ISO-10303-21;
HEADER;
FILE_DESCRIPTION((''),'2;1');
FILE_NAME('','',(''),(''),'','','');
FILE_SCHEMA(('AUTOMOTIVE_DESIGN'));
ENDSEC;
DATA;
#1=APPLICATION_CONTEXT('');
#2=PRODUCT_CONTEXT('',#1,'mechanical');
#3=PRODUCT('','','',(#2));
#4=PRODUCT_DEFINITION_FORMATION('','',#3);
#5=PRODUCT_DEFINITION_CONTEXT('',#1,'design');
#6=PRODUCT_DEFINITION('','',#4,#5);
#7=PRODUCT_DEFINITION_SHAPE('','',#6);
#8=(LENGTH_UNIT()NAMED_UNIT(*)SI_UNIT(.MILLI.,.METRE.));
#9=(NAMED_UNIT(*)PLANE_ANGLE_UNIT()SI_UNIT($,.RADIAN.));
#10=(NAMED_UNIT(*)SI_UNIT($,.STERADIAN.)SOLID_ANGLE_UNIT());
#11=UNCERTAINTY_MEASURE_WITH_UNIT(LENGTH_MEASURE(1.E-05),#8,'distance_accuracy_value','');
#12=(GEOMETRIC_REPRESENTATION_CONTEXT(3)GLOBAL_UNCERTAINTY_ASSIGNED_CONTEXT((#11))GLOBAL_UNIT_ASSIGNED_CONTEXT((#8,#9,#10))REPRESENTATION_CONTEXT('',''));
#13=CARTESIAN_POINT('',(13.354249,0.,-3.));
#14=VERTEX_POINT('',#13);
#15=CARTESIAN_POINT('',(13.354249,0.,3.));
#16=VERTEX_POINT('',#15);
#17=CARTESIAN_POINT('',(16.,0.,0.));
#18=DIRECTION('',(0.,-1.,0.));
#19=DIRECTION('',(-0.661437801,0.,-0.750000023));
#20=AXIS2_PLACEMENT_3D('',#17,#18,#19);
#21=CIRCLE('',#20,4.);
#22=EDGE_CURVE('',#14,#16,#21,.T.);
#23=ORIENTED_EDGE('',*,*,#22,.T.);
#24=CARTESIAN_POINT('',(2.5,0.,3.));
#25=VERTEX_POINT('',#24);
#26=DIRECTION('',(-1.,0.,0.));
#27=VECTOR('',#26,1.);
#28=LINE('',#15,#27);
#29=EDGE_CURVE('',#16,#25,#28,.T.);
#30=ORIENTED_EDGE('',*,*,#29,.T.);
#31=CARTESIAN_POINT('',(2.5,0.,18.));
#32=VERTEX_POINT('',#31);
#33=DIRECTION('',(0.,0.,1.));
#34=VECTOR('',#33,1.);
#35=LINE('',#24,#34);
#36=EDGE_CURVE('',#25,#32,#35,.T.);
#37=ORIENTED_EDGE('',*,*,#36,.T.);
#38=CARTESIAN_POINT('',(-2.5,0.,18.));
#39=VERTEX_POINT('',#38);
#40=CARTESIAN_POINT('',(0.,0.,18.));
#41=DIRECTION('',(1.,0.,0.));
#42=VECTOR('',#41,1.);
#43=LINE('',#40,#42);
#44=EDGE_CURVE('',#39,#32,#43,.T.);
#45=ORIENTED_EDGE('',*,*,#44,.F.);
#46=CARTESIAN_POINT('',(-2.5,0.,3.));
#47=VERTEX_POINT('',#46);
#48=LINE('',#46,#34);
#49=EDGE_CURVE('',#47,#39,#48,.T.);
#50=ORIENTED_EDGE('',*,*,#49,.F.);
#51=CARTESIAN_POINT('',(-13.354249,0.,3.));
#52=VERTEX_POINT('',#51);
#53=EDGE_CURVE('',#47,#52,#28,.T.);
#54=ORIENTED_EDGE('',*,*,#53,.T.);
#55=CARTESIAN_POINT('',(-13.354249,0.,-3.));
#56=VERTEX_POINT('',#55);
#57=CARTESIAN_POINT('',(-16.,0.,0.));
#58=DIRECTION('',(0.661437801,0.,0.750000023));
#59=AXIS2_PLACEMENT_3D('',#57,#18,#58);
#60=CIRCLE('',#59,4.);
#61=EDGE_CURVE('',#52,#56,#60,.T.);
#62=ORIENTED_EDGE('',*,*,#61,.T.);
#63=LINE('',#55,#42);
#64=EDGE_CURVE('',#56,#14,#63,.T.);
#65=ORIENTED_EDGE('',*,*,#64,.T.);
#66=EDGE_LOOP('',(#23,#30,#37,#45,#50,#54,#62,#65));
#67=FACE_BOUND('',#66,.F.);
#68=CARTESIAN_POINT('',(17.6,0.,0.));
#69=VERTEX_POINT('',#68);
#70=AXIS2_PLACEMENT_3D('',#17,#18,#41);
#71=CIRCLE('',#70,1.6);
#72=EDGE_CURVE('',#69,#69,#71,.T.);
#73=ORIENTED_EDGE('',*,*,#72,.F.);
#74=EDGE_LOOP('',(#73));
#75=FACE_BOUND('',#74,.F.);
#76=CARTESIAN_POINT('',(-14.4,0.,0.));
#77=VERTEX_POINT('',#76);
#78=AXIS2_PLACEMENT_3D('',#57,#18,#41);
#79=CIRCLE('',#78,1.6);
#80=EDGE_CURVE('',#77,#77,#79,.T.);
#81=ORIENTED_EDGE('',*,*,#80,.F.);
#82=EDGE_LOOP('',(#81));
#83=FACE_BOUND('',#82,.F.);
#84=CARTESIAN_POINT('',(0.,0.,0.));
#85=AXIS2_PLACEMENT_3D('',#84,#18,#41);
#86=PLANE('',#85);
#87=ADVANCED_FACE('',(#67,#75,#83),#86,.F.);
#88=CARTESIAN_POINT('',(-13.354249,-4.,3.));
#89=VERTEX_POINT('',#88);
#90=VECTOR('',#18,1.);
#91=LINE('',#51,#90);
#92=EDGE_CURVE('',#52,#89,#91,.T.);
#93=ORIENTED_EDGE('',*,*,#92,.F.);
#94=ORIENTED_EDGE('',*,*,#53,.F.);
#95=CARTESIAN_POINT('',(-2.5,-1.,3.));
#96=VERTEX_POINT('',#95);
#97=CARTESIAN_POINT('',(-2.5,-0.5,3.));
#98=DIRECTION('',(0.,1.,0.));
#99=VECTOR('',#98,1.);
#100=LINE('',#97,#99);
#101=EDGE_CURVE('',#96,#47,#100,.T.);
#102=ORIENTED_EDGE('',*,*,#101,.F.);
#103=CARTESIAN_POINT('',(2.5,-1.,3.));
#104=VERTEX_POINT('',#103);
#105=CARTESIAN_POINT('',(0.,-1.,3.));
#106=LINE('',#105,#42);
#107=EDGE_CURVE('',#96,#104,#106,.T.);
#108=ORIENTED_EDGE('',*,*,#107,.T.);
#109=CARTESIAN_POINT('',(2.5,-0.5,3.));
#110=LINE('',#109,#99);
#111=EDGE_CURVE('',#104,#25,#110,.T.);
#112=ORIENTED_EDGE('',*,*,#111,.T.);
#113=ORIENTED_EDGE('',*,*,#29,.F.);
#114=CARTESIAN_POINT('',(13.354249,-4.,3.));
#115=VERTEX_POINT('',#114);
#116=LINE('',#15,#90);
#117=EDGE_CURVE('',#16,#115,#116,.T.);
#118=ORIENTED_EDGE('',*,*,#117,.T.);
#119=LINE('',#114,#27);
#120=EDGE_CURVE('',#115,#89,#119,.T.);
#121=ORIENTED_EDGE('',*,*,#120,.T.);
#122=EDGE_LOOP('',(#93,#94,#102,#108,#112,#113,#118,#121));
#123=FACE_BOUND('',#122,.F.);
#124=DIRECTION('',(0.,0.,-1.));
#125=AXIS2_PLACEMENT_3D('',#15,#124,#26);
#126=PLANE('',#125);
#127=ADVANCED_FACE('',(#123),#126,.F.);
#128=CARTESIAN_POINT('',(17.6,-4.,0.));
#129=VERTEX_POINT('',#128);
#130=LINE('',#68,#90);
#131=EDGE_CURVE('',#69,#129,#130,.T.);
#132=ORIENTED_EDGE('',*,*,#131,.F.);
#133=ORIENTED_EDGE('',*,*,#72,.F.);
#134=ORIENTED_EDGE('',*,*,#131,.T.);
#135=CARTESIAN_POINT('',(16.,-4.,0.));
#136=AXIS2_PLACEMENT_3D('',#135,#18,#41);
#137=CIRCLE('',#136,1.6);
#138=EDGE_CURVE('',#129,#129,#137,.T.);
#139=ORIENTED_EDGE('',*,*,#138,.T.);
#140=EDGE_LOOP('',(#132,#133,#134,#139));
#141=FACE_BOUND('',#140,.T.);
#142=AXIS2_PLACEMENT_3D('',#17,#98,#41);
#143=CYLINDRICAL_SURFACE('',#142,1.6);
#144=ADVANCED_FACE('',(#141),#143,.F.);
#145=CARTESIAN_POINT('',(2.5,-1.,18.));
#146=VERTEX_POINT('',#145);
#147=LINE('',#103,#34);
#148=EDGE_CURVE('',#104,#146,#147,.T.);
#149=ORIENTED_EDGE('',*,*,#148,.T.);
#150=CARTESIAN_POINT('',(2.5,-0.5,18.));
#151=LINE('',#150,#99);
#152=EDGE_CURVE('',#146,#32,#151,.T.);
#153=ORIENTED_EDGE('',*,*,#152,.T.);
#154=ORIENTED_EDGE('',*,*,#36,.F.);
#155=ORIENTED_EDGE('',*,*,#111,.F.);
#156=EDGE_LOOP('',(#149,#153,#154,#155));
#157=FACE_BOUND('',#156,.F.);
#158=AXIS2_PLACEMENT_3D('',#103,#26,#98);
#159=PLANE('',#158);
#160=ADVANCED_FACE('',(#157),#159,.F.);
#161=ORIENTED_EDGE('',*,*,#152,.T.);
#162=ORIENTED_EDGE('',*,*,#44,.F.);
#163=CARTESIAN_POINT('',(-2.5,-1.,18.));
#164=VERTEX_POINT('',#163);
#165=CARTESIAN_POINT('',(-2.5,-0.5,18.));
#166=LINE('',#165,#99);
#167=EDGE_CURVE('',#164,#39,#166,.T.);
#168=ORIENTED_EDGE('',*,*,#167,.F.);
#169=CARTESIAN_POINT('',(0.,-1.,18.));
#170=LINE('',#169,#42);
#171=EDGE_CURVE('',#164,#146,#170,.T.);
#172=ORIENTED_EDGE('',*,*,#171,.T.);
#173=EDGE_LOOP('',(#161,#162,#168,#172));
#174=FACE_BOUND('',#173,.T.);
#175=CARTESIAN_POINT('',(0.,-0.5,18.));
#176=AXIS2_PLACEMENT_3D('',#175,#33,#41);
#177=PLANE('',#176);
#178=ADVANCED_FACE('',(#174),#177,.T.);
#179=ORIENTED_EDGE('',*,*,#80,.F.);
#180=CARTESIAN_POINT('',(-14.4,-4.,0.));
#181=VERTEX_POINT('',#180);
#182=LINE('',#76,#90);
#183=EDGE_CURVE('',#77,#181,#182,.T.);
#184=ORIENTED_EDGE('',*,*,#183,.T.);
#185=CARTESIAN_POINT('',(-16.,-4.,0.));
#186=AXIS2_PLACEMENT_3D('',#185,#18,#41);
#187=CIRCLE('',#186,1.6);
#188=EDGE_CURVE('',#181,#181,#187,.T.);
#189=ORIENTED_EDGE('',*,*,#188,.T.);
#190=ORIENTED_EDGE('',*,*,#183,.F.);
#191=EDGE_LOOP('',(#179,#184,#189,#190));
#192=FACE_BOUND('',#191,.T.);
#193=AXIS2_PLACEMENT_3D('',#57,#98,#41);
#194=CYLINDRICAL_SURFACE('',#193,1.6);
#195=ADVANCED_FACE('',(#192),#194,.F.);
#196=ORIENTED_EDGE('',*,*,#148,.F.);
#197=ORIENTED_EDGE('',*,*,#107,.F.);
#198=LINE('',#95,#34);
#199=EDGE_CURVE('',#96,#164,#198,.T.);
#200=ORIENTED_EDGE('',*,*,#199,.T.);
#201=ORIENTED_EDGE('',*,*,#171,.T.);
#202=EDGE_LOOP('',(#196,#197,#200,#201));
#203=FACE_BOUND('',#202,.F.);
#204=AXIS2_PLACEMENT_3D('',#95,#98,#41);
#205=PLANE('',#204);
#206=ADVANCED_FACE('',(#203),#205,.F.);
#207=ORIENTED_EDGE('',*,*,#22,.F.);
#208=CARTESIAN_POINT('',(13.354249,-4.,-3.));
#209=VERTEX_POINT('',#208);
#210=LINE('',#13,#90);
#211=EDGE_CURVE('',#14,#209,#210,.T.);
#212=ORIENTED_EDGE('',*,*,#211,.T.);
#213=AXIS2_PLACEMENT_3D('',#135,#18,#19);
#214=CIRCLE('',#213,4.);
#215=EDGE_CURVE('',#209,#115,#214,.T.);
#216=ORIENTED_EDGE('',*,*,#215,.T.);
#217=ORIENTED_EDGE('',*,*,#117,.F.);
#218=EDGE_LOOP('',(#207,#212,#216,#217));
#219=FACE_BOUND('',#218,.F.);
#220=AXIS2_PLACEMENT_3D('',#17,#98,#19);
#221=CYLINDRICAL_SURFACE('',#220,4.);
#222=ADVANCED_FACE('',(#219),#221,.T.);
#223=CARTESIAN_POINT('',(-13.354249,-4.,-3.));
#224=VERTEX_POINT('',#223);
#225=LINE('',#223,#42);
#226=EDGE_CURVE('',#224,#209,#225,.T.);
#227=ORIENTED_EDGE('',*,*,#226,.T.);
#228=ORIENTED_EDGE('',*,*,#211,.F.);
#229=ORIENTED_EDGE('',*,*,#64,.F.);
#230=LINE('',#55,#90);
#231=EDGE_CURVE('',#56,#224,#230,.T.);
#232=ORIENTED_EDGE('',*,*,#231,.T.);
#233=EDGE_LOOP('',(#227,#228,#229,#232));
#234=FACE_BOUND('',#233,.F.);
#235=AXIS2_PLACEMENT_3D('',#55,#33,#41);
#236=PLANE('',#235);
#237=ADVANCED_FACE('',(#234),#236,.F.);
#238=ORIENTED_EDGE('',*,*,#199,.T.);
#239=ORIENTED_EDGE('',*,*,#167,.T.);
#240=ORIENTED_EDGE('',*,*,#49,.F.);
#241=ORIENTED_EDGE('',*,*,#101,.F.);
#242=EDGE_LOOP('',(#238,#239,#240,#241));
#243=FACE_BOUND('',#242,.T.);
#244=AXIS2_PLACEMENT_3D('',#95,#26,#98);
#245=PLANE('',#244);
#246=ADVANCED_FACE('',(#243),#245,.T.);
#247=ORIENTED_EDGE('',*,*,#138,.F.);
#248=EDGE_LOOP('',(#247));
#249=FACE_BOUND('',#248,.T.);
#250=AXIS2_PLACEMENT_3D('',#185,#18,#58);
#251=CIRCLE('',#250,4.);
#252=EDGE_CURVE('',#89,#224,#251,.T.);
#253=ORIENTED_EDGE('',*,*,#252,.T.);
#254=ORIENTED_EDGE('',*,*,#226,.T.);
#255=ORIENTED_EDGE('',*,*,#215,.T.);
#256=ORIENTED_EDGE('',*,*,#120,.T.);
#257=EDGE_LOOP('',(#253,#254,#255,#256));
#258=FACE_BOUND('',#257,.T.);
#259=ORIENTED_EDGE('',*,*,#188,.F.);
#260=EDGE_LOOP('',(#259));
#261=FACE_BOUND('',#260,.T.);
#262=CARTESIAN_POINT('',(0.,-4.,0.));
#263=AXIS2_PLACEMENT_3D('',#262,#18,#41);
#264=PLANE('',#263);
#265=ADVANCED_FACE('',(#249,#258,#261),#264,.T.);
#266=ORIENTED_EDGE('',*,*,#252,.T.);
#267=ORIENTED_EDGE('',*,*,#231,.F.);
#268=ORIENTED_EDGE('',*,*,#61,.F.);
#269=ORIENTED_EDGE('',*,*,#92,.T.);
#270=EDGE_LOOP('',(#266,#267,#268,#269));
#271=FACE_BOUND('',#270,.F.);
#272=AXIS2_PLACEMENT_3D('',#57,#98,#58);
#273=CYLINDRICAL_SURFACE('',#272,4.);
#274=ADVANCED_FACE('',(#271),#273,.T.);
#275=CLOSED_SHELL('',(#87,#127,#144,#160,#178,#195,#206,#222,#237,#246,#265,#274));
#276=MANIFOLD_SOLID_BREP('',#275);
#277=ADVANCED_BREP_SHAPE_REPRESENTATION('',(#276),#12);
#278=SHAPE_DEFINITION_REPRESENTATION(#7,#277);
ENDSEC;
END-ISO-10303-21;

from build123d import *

# Parameters (mm, degrees)
F0_R     = 1.6
F1_DEPTH = 4
F2_W     = 5
F2_H     = 1
F3_DEPTH = 15


with BuildPart() as f1:
    # F0 (on Front) → F1 (new body)
    with BuildSketch(Plane.XZ):
        with BuildLine():
            Line((-13.354249, -3), (13.354249, -3))
            ThreePointArc((13.354249, -3), (20, 0), (13.354249, 3))
            Line((13.354249, 3), (-13.354249, 3))
            ThreePointArc((-13.354249, 3), (-20, 0), (-13.354249, -3))
        make_face()
        with Locations((-16, 0)):
            Circle(F0_R, mode=Mode.SUBTRACT)
        with Locations((16, 0)):
            Circle(F0_R, mode=Mode.SUBTRACT)
    extrude(amount=F1_DEPTH)

    # F2 (on face) → F3 (join)
    with BuildSketch(Plane.XY.offset(3)):
        with Locations((0, -0.5)):
            Rectangle(F2_W, F2_H)
    extrude(amount=F3_DEPTH)


solid = f1.part
